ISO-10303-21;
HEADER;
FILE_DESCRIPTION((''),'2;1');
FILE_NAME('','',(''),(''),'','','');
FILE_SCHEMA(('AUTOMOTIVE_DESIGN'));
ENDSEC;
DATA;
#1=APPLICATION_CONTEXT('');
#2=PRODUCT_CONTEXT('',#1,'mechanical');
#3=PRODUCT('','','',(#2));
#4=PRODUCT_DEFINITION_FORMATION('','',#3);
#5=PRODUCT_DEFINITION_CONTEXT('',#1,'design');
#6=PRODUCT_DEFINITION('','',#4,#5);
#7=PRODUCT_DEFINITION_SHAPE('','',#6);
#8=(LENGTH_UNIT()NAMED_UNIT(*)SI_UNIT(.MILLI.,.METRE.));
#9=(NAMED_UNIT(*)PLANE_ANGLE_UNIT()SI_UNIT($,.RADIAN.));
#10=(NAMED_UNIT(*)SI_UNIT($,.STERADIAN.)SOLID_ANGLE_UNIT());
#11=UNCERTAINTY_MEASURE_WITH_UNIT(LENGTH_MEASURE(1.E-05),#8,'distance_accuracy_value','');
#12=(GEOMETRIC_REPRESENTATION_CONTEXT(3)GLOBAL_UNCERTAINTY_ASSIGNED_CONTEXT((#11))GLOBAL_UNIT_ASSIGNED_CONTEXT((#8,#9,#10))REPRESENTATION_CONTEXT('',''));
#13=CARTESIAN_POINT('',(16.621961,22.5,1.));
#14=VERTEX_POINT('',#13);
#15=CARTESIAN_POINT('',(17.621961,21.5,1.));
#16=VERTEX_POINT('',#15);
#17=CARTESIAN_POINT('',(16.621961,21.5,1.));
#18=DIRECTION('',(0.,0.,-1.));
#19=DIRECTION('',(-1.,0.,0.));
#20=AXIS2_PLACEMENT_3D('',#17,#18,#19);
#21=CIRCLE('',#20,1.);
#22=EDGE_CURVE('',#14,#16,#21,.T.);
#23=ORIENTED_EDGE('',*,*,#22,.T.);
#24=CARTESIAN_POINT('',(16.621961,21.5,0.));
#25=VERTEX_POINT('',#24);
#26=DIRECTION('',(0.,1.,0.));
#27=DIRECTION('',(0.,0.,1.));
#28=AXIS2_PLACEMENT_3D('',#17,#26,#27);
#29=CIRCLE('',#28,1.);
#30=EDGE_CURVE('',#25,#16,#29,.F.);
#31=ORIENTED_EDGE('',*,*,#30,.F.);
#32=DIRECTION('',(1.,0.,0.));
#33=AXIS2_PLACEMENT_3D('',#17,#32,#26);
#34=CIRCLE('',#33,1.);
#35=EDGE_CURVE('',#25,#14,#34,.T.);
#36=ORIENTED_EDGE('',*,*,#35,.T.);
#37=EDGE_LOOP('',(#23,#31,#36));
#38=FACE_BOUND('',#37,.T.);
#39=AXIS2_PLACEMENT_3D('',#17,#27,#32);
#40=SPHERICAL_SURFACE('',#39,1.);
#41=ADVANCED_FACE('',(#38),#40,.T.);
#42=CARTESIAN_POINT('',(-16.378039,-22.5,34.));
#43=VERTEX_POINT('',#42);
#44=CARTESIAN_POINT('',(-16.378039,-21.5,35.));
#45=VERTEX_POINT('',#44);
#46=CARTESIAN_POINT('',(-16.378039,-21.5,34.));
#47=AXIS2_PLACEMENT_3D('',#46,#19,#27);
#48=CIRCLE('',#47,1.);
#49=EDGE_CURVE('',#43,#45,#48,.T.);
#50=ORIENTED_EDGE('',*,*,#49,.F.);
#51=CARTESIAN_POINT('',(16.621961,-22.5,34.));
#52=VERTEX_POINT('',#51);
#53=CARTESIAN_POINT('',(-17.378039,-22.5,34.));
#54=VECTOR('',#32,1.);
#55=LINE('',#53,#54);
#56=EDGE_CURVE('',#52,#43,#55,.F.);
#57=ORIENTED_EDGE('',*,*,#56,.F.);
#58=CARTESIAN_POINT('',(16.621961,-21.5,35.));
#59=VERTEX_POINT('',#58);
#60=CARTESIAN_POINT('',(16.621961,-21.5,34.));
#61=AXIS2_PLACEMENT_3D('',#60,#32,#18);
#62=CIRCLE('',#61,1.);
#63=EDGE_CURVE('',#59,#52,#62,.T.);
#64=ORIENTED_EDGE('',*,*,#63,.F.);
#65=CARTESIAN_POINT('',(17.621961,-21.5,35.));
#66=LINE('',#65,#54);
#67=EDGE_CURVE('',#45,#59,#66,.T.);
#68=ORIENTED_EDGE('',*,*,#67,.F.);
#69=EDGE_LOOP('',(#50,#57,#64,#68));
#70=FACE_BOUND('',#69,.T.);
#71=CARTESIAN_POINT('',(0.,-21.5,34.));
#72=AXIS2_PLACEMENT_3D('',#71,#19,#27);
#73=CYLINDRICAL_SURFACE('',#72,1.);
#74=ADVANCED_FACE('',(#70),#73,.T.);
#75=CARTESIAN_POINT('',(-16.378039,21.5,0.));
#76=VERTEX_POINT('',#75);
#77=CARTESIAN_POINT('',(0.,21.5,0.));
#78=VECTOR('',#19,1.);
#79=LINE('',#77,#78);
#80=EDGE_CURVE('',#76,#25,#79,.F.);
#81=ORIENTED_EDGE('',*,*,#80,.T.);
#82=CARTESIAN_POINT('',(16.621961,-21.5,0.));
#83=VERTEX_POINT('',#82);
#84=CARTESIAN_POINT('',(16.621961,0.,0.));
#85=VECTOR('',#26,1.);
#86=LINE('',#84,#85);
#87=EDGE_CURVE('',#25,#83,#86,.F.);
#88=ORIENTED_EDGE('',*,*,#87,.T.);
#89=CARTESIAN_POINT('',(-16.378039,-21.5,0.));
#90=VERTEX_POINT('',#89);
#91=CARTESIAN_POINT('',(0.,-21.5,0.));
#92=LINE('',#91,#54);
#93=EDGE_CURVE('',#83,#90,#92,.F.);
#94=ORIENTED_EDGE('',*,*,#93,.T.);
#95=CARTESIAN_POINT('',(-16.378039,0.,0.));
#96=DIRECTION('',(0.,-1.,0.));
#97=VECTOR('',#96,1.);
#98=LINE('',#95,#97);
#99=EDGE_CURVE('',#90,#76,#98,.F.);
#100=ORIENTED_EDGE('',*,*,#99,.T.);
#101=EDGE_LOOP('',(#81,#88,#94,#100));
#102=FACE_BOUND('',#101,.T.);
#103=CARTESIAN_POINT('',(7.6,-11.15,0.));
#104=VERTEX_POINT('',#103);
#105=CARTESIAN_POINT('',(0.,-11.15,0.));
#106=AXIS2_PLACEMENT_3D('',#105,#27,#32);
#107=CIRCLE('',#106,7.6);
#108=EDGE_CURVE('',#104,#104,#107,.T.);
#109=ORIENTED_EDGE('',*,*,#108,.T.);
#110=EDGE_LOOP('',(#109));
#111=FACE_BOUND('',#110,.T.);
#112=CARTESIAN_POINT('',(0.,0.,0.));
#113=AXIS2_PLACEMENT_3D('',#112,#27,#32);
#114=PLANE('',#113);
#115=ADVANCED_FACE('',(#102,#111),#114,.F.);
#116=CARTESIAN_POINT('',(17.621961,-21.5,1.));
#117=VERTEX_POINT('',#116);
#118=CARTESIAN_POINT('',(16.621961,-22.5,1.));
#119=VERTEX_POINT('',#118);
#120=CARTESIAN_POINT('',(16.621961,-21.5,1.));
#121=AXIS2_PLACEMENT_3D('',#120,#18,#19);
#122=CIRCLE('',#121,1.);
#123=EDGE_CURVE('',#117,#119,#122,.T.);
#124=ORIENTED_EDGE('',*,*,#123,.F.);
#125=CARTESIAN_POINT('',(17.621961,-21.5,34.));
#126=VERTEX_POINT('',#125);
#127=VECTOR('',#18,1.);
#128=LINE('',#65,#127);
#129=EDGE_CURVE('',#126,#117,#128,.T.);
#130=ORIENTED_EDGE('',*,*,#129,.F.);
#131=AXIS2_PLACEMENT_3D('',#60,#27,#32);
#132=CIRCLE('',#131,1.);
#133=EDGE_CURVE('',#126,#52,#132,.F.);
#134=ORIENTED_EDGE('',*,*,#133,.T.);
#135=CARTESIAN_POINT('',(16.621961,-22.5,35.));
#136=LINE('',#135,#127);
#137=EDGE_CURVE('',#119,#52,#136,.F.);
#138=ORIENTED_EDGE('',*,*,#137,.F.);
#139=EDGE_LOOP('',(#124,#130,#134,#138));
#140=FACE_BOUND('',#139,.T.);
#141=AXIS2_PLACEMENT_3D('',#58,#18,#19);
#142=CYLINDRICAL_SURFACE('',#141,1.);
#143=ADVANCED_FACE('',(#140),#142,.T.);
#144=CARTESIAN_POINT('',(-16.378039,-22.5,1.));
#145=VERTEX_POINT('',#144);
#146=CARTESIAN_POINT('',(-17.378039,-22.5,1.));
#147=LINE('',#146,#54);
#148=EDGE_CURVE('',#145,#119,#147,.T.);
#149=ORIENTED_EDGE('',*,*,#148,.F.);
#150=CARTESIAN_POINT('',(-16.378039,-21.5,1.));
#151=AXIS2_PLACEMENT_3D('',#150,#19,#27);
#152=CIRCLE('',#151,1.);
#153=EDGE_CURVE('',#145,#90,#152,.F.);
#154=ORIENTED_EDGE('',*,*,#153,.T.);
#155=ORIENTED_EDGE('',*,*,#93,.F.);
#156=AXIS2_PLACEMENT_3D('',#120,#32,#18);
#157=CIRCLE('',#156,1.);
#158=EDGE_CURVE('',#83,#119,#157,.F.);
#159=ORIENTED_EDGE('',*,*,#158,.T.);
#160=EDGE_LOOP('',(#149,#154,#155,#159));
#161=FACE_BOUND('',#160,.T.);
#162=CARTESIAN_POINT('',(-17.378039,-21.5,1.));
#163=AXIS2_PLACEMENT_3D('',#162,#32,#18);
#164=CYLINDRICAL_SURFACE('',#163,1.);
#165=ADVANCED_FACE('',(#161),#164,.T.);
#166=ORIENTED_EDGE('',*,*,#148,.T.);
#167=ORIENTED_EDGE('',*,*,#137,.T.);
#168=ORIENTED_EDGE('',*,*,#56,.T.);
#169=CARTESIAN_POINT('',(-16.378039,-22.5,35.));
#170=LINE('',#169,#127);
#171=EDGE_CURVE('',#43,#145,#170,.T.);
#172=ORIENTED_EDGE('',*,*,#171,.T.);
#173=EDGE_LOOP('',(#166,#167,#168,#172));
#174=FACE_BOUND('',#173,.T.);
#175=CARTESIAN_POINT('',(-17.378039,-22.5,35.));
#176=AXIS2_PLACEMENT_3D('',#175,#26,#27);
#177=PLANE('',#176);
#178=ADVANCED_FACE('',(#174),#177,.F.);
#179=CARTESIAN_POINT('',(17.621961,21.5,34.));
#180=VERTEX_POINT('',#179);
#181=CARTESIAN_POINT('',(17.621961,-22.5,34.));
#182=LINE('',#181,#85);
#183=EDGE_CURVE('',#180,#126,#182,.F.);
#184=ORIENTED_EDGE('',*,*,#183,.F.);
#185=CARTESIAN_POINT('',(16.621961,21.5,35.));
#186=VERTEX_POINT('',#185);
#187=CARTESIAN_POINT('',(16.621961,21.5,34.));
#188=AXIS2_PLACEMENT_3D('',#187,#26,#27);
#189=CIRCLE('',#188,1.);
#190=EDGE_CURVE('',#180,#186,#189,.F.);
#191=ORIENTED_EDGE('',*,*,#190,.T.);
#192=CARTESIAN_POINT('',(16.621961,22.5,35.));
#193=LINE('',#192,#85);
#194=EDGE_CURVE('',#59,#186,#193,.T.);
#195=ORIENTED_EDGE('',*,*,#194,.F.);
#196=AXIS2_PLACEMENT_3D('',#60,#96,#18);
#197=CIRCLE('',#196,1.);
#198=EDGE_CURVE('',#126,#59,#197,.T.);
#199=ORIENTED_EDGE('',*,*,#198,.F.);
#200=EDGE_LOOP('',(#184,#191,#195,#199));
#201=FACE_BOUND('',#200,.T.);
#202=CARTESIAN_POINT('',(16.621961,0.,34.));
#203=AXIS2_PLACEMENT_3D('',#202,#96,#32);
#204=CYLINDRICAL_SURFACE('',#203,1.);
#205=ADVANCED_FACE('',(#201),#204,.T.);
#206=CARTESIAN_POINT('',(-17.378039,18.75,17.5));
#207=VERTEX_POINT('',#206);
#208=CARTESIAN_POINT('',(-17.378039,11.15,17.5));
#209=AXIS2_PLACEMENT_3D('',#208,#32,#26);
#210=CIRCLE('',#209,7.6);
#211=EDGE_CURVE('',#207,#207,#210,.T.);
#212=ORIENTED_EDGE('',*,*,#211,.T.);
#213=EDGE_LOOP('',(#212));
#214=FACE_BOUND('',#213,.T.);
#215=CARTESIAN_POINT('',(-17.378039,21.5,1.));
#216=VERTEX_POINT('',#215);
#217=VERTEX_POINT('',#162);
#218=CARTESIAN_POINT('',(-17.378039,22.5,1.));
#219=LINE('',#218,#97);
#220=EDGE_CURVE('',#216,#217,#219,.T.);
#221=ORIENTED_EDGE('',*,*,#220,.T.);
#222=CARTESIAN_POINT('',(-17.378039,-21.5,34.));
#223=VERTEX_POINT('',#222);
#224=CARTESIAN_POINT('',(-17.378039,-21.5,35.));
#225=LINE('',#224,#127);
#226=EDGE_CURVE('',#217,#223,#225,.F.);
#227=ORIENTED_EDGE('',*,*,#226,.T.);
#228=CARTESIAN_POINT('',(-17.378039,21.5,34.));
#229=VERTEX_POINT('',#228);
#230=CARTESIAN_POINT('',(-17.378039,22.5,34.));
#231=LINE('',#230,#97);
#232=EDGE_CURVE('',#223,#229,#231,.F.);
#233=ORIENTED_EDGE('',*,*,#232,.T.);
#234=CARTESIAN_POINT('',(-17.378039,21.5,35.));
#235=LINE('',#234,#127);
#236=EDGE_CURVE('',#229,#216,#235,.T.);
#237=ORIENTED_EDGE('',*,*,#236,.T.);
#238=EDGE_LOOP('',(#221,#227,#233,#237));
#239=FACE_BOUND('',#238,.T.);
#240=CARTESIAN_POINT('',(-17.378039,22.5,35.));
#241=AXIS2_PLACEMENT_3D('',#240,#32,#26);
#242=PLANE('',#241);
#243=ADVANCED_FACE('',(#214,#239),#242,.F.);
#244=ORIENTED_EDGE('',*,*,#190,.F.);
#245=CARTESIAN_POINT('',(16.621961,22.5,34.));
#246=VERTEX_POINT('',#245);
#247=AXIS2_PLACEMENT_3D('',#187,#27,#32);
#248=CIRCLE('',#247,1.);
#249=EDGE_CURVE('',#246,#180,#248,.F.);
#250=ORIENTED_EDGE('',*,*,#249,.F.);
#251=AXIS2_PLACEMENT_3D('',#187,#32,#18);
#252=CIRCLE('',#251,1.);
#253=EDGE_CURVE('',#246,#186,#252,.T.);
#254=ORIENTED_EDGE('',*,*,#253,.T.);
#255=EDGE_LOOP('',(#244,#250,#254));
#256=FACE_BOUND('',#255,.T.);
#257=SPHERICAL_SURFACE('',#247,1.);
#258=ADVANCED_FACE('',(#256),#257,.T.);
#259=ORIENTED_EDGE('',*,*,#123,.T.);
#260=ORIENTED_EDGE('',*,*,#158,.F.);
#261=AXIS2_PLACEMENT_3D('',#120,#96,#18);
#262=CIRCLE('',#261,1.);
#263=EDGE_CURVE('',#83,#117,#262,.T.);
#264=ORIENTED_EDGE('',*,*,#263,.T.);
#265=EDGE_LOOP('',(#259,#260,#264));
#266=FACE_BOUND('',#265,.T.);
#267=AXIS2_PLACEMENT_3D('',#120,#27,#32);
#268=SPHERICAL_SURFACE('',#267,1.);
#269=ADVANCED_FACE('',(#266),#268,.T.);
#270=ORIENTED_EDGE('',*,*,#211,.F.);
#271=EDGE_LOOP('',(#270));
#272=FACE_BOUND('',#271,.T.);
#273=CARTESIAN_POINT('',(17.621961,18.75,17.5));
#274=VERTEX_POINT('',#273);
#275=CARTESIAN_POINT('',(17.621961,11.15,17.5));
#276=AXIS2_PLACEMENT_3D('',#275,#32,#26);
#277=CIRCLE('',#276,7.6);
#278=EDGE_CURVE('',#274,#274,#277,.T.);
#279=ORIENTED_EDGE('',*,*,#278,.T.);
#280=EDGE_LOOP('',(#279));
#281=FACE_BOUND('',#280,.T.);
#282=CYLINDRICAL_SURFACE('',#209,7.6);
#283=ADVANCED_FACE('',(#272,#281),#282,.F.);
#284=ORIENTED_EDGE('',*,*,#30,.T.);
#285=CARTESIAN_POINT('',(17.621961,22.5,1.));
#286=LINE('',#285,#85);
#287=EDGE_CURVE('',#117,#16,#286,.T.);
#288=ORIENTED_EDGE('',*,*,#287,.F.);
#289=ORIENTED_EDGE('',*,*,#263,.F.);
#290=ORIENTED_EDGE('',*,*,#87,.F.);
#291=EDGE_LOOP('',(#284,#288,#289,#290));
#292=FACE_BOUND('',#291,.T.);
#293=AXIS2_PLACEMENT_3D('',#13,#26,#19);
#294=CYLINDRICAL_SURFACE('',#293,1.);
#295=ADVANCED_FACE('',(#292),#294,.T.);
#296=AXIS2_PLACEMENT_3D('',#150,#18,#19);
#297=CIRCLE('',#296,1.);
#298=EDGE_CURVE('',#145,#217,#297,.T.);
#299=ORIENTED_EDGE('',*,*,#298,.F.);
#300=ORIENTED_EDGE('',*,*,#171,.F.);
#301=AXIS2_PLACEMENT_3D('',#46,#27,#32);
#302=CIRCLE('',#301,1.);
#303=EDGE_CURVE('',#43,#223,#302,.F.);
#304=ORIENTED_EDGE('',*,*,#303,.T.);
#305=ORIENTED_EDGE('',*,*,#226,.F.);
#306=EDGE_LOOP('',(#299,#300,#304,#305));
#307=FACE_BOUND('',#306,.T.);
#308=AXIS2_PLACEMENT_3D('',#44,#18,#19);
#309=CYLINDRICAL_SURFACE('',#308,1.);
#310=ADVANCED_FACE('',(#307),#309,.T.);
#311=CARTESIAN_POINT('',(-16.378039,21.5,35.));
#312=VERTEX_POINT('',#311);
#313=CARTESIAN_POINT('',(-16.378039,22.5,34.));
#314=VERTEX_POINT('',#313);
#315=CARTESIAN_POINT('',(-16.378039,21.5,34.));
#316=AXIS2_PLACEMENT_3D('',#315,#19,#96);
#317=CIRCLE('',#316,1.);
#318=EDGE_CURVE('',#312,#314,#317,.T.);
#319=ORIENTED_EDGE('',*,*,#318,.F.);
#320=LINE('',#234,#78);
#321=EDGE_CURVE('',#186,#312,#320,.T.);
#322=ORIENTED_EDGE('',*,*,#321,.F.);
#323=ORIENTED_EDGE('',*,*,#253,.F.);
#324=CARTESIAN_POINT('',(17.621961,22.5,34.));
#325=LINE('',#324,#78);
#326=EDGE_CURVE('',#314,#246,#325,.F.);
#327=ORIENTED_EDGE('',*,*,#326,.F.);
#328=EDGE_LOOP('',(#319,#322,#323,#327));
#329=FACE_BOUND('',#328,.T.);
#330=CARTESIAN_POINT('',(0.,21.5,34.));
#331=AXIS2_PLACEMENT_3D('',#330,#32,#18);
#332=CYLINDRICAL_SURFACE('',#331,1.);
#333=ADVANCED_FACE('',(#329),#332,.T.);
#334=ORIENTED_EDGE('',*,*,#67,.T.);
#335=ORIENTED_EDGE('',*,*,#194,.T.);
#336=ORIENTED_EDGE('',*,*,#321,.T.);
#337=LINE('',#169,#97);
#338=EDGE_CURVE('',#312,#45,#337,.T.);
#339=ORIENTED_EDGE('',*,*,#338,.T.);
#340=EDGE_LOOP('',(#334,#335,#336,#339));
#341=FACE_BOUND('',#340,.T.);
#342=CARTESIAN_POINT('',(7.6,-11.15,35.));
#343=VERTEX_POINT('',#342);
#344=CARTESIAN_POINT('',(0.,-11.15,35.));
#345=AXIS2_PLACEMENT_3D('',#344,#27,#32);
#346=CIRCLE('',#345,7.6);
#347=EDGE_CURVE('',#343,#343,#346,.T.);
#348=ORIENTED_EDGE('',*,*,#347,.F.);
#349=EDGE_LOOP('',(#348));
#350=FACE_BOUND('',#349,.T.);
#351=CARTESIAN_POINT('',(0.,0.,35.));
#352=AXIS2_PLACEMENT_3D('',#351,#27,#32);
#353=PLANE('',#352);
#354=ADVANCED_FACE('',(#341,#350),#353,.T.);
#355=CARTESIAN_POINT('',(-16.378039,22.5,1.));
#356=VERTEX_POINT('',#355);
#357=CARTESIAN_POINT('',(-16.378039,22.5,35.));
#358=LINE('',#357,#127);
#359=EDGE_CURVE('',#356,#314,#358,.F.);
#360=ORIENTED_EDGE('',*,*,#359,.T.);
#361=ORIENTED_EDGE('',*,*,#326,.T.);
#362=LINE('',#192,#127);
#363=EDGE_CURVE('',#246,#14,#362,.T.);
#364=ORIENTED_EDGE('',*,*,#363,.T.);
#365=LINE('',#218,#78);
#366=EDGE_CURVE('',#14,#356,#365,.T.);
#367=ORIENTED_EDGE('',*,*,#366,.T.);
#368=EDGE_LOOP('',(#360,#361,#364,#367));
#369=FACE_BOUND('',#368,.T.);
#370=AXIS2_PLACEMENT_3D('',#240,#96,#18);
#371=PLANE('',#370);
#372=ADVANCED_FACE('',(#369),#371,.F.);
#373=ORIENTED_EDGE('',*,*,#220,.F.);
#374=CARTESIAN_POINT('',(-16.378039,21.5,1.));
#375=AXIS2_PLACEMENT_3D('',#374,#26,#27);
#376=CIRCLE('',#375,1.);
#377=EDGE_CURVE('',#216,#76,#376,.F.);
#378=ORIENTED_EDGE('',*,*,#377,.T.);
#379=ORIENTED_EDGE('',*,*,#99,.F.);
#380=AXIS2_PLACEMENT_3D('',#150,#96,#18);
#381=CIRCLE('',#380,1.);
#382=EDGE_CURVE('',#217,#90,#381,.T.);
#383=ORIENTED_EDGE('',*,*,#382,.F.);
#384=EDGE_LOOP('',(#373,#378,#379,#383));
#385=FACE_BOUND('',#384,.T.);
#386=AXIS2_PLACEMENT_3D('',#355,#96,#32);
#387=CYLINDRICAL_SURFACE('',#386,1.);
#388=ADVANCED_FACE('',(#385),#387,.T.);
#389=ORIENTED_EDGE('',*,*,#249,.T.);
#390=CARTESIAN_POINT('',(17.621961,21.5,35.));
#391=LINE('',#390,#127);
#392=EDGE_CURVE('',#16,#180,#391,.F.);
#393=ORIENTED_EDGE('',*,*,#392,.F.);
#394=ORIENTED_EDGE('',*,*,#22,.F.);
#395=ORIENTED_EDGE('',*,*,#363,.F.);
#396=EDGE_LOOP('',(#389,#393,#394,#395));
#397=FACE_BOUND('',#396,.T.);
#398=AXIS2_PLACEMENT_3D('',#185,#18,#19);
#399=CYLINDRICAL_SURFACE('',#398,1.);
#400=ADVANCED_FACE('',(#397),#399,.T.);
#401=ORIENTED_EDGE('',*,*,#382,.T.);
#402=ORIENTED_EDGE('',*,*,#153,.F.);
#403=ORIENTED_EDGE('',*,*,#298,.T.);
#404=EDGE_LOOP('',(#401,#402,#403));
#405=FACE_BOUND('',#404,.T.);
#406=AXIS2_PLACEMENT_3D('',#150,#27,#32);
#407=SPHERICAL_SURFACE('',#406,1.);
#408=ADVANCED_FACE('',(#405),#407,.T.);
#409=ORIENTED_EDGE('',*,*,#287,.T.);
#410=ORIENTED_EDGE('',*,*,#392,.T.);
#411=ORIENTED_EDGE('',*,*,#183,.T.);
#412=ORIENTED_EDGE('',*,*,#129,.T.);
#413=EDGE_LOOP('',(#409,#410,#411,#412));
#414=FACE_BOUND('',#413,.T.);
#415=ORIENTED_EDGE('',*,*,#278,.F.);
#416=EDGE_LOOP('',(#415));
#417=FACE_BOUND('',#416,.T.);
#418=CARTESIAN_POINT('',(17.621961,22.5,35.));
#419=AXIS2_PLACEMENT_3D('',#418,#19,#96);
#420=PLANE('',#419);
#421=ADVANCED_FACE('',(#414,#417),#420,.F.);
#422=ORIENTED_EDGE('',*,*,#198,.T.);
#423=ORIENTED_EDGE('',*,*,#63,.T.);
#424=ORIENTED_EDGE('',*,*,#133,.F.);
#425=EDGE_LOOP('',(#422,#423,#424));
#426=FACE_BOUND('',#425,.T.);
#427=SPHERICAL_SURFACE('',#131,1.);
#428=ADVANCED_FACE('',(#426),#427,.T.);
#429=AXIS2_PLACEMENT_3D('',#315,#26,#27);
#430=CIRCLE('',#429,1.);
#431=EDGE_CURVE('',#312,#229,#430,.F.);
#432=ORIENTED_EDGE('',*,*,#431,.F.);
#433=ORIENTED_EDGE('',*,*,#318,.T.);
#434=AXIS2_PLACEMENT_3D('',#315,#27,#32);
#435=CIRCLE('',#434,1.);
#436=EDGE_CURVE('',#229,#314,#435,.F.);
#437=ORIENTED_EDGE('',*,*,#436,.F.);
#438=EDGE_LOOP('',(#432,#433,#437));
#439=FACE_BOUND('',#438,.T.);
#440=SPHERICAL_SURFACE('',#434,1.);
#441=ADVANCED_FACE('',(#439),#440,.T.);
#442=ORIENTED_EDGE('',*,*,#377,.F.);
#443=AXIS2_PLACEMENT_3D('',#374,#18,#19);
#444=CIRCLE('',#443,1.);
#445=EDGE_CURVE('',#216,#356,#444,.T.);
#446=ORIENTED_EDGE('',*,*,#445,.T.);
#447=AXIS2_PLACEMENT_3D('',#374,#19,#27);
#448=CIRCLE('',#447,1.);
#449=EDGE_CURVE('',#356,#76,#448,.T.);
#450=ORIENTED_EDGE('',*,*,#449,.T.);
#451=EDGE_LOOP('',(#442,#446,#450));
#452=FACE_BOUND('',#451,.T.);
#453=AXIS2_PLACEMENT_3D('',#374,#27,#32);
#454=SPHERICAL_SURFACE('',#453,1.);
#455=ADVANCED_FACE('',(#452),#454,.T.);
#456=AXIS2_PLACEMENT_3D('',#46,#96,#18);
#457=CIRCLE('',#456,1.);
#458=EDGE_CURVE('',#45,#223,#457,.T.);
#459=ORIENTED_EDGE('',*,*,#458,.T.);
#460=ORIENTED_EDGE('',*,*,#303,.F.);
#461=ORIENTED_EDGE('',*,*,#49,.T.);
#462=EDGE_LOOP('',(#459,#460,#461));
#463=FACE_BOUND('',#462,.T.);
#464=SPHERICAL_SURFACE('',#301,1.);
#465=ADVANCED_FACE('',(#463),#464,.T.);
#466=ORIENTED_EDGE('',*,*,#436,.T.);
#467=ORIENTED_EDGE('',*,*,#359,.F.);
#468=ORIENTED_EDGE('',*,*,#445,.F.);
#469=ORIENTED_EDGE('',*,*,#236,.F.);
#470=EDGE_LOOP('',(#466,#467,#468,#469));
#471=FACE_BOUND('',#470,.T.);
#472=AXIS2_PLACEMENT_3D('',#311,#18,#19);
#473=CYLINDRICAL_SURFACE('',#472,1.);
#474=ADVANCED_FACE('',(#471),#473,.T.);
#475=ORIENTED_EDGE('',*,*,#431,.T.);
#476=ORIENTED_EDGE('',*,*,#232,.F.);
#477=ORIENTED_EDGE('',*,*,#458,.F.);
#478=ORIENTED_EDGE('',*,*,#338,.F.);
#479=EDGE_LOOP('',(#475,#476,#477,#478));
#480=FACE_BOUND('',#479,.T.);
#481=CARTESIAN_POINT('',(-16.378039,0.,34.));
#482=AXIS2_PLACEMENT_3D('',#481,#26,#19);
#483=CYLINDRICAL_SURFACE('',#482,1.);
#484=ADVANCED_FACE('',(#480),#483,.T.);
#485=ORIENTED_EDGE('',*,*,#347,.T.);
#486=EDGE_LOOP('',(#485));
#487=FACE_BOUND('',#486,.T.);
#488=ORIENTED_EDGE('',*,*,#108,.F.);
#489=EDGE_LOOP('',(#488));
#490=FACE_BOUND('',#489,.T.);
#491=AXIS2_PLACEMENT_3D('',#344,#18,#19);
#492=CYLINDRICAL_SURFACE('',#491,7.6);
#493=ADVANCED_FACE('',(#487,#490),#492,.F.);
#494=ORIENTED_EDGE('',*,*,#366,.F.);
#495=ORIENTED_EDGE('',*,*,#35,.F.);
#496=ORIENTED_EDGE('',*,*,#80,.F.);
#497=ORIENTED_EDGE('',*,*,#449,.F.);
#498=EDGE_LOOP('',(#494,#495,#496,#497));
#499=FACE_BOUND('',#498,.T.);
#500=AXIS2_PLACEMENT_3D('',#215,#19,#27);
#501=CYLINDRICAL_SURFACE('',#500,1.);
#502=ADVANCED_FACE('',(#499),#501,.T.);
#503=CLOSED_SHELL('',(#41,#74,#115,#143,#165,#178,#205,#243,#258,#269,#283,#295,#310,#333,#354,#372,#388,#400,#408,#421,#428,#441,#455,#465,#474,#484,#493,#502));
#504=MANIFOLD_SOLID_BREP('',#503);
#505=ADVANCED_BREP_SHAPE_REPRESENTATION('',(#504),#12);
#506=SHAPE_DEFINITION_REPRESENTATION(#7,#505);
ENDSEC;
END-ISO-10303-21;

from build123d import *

# Parameters (mm, degrees)
SCHIZZO1_W                   = 35
SCHIZZO1_H                   = 45
SCHIZZO1_R                   = 7.6
ESTRUSIONE_ESTRUSIONE1_DEPTH = 35
SCHIZZO3_R                   = 7.6
TAGLIO_ESTRUSIONE1_DEPTH     = 35
RACCORDO1_R                  = 1


with BuildPart() as part:
    # Schizzo1 → Estrusione-Estrusione1 (new body)
    with BuildSketch(Plane.XY):
        with Locations((0.121961372, 0)):
            Rectangle(SCHIZZO1_W, SCHIZZO1_H)
        with Locations((0, -11.15)):
            Circle(SCHIZZO1_R, mode=Mode.SUBTRACT)
    extrude(amount=ESTRUSIONE_ESTRUSIONE1_DEPTH)

    # Schizzo3 → Taglio-Estrusione1 (cut)
    with BuildSketch(Plane(origin=(17.621961372, 0, 0), x_dir=(0, 0, -1), z_dir=(1, 0, 0))):
        with Locations(Location((-17.5, 11.15, 0), (0, 0, 90))):
            Circle(SCHIZZO3_R)
    extrude(amount=-TAGLIO_ESTRUSIONE1_DEPTH, mode=Mode.SUBTRACT)

    # Raccordo1
    raccordo1_edges = [part.edges().sort_by_distance(p)[0] for p in [
        (17.621961372, 0, 35),
        (0.121961372, 22.5, 35),
        (-17.378038628, 0, 35),
        (0.121961372, 22.5, 0),
        (17.621961372, 0, 0),
        (0.121961372, -22.5, 0),
        (-17.378038628, 0, 0),
        (0.121961372, -22.5, 35),
        (-17.378038628, 22.5, 17.5),
        (17.621961372, 22.5, 17.5),
        (17.621961372, -22.5, 17.5),
        (-17.378038628, -22.5, 17.5),
    ]]
    fillet(raccordo1_edges, radius=RACCORDO1_R)


solid = part.part
